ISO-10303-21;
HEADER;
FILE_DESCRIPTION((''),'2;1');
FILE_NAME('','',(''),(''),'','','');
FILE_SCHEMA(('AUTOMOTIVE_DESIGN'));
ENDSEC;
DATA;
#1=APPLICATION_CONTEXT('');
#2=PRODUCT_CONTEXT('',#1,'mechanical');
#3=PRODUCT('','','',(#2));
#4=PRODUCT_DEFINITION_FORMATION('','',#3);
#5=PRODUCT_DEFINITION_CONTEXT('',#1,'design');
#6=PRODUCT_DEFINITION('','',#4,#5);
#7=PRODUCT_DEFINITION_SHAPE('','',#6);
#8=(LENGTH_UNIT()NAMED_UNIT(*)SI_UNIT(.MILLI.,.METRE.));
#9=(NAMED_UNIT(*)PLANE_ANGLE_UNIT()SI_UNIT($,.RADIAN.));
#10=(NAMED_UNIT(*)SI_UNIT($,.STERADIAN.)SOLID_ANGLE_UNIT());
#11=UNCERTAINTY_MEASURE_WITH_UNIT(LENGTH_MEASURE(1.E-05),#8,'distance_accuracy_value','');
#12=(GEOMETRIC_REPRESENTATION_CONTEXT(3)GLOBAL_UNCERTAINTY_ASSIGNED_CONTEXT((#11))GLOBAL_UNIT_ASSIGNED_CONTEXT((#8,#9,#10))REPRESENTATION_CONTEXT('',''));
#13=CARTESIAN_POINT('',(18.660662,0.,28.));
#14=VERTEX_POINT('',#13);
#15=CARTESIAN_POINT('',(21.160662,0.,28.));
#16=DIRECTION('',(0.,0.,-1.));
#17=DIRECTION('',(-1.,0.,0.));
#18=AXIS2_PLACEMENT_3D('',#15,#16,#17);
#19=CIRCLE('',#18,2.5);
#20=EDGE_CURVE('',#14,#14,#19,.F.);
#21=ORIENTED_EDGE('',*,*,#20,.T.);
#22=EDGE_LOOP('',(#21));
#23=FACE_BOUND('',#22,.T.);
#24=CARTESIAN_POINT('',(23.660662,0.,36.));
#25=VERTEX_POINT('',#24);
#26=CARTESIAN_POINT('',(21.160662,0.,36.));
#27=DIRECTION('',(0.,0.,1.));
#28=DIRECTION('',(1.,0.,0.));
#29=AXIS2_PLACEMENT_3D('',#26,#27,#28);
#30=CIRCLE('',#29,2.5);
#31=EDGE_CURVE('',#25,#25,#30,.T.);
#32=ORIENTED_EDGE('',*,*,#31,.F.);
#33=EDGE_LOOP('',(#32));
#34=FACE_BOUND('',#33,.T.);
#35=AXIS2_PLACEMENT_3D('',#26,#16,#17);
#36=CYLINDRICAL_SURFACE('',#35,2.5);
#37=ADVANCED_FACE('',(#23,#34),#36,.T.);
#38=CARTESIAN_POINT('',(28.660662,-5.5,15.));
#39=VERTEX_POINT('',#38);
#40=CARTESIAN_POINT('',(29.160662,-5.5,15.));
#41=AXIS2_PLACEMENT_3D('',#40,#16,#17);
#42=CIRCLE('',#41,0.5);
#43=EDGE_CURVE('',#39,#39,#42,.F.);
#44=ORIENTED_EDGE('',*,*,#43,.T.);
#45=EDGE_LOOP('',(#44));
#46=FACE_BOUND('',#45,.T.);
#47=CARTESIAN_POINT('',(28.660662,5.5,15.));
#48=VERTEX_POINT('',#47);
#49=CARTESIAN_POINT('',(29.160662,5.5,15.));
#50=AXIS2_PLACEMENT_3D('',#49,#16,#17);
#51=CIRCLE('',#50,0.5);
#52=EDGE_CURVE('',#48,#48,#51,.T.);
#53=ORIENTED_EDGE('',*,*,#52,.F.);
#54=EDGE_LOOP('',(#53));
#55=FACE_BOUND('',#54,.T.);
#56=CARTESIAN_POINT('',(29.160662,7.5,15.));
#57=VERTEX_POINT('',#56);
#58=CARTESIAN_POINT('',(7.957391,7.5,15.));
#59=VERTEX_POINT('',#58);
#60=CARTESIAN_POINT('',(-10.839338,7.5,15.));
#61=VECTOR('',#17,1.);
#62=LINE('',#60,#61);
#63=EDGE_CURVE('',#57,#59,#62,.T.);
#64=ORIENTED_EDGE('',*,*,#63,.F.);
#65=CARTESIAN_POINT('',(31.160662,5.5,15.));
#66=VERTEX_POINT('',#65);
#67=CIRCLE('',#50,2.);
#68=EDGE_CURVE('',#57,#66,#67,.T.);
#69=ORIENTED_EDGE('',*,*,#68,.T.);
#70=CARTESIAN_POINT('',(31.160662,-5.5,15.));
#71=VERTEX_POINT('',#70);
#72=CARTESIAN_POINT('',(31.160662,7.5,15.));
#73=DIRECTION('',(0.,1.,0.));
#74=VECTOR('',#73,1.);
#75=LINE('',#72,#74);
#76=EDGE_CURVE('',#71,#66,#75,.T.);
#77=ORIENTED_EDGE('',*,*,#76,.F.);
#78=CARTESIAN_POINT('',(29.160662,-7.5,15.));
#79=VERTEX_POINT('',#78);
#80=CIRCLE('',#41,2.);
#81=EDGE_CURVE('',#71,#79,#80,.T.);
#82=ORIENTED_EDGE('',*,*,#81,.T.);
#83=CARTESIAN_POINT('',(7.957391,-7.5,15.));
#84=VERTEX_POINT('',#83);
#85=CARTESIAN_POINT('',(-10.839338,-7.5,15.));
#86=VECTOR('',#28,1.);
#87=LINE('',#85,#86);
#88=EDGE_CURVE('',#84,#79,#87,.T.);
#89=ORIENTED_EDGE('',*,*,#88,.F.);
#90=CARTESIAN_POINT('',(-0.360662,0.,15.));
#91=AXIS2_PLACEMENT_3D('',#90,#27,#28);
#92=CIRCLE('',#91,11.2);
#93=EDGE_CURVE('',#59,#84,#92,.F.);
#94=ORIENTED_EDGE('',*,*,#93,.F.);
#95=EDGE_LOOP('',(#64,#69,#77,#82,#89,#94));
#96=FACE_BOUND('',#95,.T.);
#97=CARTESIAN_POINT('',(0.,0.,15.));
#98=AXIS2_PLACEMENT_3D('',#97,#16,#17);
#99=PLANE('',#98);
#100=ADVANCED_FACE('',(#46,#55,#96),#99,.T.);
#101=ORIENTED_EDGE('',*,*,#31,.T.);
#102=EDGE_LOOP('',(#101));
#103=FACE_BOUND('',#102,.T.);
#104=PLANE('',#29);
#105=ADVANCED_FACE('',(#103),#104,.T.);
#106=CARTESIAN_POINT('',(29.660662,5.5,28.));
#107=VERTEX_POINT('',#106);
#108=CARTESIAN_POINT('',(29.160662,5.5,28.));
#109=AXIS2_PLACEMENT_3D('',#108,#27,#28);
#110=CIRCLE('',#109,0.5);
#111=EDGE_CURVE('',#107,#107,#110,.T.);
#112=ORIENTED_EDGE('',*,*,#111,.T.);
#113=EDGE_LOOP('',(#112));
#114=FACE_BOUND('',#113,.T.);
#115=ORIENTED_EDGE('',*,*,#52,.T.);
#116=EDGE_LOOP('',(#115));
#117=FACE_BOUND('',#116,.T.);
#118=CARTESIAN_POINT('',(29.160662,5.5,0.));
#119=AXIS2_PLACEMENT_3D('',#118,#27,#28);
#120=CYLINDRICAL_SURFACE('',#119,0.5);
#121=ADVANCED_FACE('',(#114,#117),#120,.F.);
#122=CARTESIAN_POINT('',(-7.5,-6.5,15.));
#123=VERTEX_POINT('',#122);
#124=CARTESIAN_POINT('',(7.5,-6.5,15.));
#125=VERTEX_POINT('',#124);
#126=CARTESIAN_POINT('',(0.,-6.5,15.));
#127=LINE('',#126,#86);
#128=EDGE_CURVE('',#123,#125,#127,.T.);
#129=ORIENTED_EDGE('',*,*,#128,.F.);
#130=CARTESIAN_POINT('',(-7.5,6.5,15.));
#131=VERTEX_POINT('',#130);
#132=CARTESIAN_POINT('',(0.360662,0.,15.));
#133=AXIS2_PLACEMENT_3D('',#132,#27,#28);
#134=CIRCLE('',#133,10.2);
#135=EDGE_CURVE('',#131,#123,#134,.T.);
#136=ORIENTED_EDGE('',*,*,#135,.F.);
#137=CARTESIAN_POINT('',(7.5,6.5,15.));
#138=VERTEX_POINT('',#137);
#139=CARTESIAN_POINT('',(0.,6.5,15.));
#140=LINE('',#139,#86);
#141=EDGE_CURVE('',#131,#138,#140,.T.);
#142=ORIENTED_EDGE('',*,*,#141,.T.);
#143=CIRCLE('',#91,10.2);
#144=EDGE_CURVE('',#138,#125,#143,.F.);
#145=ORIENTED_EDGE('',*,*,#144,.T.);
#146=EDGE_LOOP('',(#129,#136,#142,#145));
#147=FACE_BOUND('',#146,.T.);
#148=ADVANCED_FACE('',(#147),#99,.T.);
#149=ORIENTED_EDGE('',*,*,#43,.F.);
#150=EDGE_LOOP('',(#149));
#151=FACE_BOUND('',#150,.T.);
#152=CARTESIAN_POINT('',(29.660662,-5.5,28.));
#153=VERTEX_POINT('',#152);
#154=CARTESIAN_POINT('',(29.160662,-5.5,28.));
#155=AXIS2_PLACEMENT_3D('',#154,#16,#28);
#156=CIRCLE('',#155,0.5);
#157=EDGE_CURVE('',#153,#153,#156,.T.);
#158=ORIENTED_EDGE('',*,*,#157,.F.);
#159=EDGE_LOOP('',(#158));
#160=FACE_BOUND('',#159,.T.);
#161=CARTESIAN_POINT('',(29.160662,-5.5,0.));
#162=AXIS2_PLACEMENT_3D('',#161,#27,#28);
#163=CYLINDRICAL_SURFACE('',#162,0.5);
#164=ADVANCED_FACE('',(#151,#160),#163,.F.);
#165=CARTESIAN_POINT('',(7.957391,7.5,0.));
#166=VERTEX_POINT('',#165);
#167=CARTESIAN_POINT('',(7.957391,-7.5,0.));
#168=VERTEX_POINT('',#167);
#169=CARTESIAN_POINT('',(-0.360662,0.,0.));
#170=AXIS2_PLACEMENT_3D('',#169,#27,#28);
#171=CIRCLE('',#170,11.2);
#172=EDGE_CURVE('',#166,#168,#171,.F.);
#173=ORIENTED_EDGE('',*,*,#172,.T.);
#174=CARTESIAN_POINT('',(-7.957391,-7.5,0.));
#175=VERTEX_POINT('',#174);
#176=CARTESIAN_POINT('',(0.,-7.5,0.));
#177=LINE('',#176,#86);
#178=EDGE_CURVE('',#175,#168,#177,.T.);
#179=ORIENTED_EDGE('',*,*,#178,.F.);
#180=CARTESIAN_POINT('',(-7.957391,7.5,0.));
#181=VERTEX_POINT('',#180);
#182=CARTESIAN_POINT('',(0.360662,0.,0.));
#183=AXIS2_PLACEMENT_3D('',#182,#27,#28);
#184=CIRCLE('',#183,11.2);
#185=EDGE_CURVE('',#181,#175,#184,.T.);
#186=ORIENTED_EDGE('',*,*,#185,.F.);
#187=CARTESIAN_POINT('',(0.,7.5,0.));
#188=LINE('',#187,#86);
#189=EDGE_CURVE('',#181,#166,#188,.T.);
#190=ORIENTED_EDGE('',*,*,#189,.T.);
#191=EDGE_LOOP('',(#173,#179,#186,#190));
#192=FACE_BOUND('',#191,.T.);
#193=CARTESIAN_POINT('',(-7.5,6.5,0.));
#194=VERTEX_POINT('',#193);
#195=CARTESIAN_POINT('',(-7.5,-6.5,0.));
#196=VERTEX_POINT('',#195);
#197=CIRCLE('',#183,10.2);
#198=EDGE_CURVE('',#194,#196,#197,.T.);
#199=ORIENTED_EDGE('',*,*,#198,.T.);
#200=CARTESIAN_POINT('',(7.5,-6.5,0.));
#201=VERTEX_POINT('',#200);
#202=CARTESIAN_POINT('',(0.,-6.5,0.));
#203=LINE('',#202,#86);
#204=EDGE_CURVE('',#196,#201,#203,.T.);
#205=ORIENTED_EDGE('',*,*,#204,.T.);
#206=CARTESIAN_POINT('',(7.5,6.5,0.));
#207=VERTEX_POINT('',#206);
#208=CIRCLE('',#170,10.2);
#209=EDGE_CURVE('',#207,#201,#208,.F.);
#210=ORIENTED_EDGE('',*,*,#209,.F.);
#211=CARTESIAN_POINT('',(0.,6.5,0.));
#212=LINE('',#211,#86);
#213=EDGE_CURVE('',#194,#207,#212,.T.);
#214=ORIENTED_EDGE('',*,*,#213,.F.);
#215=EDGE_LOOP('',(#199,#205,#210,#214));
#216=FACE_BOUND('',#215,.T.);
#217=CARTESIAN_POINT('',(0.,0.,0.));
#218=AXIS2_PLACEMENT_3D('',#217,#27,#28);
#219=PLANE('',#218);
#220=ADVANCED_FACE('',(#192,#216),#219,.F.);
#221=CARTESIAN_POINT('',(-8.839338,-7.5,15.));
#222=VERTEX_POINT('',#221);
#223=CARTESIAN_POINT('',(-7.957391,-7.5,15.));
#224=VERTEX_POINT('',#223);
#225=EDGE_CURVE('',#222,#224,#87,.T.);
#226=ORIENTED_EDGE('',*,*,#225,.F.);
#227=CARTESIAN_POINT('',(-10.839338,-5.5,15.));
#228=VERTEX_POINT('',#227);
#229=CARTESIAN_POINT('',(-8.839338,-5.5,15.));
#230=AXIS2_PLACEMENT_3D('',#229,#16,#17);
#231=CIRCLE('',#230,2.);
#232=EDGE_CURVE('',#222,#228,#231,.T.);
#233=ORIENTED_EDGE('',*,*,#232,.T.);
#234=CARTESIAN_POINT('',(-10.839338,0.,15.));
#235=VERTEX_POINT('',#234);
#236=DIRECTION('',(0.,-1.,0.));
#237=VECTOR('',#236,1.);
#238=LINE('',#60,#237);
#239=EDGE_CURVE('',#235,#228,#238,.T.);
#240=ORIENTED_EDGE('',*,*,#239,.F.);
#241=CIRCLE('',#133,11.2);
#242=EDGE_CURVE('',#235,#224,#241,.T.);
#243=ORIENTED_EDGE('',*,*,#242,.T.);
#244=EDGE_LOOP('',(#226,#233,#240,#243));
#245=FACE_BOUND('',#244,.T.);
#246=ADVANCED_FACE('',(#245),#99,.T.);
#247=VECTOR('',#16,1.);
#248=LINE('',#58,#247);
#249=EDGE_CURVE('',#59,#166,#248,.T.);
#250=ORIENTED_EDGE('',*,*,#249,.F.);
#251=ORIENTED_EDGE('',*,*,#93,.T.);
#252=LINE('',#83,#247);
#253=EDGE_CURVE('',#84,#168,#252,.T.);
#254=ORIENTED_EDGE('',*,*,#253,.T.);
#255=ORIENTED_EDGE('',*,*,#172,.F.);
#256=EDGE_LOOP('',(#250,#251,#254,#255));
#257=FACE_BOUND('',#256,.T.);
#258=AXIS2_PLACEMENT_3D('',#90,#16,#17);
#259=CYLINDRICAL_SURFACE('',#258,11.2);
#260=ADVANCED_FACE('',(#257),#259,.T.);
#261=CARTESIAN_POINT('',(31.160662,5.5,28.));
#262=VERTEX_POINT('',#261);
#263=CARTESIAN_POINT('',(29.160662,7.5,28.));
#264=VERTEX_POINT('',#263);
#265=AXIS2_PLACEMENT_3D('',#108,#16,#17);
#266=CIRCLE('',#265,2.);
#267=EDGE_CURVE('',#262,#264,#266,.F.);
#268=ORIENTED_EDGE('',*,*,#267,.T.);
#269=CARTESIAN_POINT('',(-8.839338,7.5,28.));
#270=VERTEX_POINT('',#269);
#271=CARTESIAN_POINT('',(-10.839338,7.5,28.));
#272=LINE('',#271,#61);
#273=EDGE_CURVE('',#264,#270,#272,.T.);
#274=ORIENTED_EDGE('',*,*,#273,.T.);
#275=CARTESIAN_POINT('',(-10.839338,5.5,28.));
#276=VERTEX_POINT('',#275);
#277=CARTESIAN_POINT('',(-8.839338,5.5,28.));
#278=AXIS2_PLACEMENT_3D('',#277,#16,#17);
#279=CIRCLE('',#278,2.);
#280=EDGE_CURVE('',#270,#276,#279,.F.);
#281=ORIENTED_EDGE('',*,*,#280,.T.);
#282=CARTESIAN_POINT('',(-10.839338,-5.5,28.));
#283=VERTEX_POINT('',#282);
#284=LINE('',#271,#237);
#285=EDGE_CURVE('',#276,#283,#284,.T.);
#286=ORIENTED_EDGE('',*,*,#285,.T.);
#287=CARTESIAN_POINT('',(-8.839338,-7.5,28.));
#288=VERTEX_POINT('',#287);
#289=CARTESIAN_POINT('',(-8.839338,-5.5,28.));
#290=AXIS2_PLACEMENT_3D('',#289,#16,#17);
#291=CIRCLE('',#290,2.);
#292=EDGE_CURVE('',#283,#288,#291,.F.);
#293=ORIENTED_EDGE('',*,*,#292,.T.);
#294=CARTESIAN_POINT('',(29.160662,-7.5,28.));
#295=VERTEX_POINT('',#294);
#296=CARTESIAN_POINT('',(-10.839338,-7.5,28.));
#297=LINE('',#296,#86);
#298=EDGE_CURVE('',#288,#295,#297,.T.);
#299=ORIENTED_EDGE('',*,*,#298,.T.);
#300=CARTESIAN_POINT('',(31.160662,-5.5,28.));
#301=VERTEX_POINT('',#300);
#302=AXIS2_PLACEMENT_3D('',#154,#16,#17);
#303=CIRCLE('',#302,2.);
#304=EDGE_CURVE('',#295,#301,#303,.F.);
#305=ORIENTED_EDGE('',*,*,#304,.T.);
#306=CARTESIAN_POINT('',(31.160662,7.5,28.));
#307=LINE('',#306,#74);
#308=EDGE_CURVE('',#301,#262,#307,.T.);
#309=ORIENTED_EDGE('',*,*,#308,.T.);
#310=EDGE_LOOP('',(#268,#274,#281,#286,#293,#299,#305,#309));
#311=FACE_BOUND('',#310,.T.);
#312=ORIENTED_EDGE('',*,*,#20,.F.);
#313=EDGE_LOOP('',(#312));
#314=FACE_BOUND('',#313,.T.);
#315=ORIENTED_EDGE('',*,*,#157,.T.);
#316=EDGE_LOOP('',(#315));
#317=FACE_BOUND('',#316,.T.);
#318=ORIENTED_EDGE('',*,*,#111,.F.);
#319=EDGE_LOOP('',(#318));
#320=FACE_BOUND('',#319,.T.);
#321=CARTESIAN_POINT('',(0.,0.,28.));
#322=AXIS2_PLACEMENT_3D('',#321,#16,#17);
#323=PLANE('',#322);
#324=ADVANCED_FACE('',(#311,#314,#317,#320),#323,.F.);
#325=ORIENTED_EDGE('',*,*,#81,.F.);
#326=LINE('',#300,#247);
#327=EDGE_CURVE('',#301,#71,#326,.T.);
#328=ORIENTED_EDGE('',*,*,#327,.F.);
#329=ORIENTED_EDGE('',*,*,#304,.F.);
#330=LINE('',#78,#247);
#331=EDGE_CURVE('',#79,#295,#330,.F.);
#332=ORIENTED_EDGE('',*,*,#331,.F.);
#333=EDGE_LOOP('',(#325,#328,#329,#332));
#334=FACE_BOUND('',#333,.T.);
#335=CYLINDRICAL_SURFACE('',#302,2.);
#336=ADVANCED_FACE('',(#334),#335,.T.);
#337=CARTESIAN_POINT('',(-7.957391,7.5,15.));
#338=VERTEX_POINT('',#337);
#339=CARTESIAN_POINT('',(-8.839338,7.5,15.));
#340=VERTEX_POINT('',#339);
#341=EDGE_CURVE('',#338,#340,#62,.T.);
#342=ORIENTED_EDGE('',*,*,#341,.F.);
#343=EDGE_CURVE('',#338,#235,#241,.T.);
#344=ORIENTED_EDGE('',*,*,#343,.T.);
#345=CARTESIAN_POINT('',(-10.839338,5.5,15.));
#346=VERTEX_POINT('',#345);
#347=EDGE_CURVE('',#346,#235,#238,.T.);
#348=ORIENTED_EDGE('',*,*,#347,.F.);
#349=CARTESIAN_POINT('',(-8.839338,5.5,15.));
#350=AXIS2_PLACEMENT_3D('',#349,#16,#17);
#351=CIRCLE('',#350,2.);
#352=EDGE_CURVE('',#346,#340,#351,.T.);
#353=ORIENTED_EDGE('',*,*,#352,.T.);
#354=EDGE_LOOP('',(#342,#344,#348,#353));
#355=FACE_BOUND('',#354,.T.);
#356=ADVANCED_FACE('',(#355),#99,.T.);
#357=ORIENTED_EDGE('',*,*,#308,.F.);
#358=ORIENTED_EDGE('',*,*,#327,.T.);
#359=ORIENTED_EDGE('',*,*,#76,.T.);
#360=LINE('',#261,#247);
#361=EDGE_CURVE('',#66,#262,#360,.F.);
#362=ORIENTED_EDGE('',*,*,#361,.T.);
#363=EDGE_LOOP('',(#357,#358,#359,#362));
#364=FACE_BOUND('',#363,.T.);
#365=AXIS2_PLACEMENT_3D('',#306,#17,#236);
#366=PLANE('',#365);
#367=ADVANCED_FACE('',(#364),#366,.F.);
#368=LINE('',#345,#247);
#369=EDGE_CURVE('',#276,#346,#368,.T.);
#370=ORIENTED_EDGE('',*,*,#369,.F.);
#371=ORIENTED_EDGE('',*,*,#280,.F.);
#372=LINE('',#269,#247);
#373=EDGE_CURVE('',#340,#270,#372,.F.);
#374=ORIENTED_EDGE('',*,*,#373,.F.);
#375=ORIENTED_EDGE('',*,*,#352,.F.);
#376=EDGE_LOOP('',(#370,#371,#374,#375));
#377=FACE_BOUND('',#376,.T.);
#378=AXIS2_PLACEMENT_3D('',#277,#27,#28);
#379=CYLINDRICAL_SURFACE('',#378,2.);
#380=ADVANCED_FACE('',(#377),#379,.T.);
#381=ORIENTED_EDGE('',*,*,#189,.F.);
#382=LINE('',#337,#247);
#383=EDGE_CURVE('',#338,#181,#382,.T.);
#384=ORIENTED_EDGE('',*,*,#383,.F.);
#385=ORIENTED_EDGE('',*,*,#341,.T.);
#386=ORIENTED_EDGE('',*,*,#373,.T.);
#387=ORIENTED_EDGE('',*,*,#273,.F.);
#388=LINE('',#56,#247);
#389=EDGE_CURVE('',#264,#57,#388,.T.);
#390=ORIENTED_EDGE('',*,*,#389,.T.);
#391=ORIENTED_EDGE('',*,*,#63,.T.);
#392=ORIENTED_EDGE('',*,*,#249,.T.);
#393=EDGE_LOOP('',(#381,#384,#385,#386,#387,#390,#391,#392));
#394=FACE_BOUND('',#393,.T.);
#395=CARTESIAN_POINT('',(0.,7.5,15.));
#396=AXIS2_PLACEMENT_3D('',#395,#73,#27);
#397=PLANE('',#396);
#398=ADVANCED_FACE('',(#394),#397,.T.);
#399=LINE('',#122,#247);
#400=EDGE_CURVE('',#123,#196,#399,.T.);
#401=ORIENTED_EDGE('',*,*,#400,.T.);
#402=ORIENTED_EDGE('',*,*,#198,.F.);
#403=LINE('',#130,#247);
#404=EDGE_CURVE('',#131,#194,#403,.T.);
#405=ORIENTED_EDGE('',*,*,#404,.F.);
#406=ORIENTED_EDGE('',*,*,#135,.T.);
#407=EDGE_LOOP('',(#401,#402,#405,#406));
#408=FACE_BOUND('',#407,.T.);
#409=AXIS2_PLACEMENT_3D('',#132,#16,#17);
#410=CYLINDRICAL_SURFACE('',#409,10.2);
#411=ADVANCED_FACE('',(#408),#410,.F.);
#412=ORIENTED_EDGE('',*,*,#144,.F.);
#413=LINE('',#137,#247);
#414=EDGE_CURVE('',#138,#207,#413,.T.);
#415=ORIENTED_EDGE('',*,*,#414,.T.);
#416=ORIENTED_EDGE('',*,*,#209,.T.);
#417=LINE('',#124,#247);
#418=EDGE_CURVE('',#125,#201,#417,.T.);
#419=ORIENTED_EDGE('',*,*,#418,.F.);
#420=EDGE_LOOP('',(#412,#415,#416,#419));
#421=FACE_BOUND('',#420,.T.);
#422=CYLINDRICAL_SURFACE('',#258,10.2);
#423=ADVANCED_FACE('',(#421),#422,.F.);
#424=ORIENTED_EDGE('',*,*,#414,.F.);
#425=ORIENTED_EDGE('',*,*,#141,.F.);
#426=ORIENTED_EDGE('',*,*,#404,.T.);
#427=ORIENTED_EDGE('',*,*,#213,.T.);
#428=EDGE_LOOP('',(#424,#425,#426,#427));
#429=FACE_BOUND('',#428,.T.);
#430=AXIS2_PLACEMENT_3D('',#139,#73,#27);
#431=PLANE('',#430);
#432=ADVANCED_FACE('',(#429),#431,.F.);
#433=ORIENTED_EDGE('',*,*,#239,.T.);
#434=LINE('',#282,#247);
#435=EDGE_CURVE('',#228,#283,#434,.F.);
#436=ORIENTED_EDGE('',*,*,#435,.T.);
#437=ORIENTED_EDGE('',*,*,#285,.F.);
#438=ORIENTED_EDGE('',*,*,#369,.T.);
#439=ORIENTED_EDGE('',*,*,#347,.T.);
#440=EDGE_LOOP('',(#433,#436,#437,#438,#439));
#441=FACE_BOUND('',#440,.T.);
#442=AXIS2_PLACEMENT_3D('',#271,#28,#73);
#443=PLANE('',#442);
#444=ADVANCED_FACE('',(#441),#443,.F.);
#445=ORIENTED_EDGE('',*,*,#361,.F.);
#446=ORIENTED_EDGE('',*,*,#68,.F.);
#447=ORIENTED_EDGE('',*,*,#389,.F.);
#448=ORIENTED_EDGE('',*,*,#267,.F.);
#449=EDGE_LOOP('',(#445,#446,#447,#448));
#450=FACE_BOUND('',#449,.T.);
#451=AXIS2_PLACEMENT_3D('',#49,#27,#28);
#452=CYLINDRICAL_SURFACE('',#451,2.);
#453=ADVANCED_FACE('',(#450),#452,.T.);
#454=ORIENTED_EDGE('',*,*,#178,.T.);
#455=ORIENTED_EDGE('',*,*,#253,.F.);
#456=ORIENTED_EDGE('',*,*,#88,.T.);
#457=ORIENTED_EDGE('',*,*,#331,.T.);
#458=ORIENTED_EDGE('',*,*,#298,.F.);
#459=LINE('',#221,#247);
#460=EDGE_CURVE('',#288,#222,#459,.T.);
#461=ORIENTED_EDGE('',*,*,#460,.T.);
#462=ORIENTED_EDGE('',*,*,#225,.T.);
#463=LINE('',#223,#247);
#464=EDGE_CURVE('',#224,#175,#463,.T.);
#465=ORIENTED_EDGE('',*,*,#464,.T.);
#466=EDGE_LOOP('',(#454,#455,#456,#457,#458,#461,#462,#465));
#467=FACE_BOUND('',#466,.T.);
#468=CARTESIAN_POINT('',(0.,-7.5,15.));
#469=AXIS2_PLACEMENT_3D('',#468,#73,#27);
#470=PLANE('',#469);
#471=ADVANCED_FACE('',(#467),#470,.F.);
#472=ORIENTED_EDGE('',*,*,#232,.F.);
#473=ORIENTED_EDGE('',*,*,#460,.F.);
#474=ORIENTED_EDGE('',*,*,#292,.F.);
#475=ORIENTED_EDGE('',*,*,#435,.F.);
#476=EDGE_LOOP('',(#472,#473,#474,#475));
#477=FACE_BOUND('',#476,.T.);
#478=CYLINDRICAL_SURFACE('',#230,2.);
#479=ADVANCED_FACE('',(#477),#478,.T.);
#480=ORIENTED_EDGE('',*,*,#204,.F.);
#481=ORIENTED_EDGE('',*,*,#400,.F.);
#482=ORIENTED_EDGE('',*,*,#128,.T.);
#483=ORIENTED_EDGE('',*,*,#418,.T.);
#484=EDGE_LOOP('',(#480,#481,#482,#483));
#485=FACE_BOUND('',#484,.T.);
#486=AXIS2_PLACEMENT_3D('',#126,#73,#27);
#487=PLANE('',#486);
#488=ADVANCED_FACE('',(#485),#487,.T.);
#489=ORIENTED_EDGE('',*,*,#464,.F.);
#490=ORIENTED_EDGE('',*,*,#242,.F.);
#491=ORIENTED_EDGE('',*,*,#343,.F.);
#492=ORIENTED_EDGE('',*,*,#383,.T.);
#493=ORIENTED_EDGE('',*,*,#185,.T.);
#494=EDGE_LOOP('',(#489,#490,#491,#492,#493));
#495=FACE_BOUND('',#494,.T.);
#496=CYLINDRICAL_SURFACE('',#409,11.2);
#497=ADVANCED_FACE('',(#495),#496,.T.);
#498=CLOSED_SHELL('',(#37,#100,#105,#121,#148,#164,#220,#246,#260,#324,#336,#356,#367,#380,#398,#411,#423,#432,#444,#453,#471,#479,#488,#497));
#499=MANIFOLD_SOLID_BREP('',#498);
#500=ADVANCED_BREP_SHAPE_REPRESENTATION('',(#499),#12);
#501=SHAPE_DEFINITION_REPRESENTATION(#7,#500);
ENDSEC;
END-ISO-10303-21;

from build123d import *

# Parameters (mm, degrees)
BOSS_EXTRUDE1_DEPTH = 15
SKETCH2_W           = 42
SKETCH2_H           = 15
BOSS_EXTRUDE2_DEPTH = 13
FILLET1_R           = 2
SKETCH3_R           = 2.5
BOSS_EXTRUDE3_DEPTH = 8
SKETCH4_R           = 0.5
CUT_EXTRUDE1_DEPTH  = 43.558628129


with BuildPart() as part:
    # Sketch1 → Boss-Extrude1 (new body)
    with BuildSketch(Plane.XY):
        with BuildLine():
            ThreePointArc((7.957391107, 7.5), (10.83933845, 0), (7.957391107, -7.5))
            Line((7.957391107, -7.5), (-7.957391107, -7.5))
            ThreePointArc((-7.957391107, -7.5), (-10.83933845, 0), (-7.957391107, 7.5))
            Line((-7.957391107, 7.5), (7.957391107, 7.5))
        make_face()
        with BuildLine():
            Line((-7.5, 6.5), (7.5, 6.5))
            ThreePointArc((7.5, 6.5), (9.83933845, 0), (7.5, -6.5))
            Line((7.5, -6.5), (-7.5, -6.5))
            ThreePointArc((-7.5, -6.5), (-9.83933845, 0), (-7.5, 6.5))
        make_face(mode=Mode.SUBTRACT)
    extrude(amount=BOSS_EXTRUDE1_DEPTH)

    # Sketch2 → Boss-Extrude2 (add)
    with BuildSketch(Plane.XY.offset(15)):
        with Locations((10.16066155, 0)):
            Rectangle(SKETCH2_W, SKETCH2_H)
    extrude(amount=BOSS_EXTRUDE2_DEPTH)

    # Fillet1
    fillet1_edges = [part.edges().sort_by_distance(p)[0] for p in [
        (31.16066155, 7.5, 21.5),
        (-10.83933845, 7.5, 21.5),
        (-10.83933845, -7.5, 21.5),
        (31.16066155, -7.5, 21.5),
    ]]
    fillet(fillet1_edges, radius=FILLET1_R)

    # Sketch3 → Boss-Extrude3 (add)
    with BuildSketch(Plane.XY.offset(28)):
        with Locations(Location((21.16066155, 0, 0), (0, 0, 180))):
            Circle(SKETCH3_R)
    extrude(amount=BOSS_EXTRUDE3_DEPTH)

    # Sketch4 → Cut-Extrude1 (cut, through all)
    with BuildSketch(Plane.XY.offset(28)):
        with Locations((29.16066155, 5.5)):
            Circle(SKETCH4_R)
    cut_extrude1 = extrude(amount=-CUT_EXTRUDE1_DEPTH, mode=Mode.SUBTRACT)

    # Mirror1: Cut-Extrude1 across plane
    add(cut_extrude1.mirror(Plane.ZX), mode=Mode.SUBTRACT)


solid = part.part
